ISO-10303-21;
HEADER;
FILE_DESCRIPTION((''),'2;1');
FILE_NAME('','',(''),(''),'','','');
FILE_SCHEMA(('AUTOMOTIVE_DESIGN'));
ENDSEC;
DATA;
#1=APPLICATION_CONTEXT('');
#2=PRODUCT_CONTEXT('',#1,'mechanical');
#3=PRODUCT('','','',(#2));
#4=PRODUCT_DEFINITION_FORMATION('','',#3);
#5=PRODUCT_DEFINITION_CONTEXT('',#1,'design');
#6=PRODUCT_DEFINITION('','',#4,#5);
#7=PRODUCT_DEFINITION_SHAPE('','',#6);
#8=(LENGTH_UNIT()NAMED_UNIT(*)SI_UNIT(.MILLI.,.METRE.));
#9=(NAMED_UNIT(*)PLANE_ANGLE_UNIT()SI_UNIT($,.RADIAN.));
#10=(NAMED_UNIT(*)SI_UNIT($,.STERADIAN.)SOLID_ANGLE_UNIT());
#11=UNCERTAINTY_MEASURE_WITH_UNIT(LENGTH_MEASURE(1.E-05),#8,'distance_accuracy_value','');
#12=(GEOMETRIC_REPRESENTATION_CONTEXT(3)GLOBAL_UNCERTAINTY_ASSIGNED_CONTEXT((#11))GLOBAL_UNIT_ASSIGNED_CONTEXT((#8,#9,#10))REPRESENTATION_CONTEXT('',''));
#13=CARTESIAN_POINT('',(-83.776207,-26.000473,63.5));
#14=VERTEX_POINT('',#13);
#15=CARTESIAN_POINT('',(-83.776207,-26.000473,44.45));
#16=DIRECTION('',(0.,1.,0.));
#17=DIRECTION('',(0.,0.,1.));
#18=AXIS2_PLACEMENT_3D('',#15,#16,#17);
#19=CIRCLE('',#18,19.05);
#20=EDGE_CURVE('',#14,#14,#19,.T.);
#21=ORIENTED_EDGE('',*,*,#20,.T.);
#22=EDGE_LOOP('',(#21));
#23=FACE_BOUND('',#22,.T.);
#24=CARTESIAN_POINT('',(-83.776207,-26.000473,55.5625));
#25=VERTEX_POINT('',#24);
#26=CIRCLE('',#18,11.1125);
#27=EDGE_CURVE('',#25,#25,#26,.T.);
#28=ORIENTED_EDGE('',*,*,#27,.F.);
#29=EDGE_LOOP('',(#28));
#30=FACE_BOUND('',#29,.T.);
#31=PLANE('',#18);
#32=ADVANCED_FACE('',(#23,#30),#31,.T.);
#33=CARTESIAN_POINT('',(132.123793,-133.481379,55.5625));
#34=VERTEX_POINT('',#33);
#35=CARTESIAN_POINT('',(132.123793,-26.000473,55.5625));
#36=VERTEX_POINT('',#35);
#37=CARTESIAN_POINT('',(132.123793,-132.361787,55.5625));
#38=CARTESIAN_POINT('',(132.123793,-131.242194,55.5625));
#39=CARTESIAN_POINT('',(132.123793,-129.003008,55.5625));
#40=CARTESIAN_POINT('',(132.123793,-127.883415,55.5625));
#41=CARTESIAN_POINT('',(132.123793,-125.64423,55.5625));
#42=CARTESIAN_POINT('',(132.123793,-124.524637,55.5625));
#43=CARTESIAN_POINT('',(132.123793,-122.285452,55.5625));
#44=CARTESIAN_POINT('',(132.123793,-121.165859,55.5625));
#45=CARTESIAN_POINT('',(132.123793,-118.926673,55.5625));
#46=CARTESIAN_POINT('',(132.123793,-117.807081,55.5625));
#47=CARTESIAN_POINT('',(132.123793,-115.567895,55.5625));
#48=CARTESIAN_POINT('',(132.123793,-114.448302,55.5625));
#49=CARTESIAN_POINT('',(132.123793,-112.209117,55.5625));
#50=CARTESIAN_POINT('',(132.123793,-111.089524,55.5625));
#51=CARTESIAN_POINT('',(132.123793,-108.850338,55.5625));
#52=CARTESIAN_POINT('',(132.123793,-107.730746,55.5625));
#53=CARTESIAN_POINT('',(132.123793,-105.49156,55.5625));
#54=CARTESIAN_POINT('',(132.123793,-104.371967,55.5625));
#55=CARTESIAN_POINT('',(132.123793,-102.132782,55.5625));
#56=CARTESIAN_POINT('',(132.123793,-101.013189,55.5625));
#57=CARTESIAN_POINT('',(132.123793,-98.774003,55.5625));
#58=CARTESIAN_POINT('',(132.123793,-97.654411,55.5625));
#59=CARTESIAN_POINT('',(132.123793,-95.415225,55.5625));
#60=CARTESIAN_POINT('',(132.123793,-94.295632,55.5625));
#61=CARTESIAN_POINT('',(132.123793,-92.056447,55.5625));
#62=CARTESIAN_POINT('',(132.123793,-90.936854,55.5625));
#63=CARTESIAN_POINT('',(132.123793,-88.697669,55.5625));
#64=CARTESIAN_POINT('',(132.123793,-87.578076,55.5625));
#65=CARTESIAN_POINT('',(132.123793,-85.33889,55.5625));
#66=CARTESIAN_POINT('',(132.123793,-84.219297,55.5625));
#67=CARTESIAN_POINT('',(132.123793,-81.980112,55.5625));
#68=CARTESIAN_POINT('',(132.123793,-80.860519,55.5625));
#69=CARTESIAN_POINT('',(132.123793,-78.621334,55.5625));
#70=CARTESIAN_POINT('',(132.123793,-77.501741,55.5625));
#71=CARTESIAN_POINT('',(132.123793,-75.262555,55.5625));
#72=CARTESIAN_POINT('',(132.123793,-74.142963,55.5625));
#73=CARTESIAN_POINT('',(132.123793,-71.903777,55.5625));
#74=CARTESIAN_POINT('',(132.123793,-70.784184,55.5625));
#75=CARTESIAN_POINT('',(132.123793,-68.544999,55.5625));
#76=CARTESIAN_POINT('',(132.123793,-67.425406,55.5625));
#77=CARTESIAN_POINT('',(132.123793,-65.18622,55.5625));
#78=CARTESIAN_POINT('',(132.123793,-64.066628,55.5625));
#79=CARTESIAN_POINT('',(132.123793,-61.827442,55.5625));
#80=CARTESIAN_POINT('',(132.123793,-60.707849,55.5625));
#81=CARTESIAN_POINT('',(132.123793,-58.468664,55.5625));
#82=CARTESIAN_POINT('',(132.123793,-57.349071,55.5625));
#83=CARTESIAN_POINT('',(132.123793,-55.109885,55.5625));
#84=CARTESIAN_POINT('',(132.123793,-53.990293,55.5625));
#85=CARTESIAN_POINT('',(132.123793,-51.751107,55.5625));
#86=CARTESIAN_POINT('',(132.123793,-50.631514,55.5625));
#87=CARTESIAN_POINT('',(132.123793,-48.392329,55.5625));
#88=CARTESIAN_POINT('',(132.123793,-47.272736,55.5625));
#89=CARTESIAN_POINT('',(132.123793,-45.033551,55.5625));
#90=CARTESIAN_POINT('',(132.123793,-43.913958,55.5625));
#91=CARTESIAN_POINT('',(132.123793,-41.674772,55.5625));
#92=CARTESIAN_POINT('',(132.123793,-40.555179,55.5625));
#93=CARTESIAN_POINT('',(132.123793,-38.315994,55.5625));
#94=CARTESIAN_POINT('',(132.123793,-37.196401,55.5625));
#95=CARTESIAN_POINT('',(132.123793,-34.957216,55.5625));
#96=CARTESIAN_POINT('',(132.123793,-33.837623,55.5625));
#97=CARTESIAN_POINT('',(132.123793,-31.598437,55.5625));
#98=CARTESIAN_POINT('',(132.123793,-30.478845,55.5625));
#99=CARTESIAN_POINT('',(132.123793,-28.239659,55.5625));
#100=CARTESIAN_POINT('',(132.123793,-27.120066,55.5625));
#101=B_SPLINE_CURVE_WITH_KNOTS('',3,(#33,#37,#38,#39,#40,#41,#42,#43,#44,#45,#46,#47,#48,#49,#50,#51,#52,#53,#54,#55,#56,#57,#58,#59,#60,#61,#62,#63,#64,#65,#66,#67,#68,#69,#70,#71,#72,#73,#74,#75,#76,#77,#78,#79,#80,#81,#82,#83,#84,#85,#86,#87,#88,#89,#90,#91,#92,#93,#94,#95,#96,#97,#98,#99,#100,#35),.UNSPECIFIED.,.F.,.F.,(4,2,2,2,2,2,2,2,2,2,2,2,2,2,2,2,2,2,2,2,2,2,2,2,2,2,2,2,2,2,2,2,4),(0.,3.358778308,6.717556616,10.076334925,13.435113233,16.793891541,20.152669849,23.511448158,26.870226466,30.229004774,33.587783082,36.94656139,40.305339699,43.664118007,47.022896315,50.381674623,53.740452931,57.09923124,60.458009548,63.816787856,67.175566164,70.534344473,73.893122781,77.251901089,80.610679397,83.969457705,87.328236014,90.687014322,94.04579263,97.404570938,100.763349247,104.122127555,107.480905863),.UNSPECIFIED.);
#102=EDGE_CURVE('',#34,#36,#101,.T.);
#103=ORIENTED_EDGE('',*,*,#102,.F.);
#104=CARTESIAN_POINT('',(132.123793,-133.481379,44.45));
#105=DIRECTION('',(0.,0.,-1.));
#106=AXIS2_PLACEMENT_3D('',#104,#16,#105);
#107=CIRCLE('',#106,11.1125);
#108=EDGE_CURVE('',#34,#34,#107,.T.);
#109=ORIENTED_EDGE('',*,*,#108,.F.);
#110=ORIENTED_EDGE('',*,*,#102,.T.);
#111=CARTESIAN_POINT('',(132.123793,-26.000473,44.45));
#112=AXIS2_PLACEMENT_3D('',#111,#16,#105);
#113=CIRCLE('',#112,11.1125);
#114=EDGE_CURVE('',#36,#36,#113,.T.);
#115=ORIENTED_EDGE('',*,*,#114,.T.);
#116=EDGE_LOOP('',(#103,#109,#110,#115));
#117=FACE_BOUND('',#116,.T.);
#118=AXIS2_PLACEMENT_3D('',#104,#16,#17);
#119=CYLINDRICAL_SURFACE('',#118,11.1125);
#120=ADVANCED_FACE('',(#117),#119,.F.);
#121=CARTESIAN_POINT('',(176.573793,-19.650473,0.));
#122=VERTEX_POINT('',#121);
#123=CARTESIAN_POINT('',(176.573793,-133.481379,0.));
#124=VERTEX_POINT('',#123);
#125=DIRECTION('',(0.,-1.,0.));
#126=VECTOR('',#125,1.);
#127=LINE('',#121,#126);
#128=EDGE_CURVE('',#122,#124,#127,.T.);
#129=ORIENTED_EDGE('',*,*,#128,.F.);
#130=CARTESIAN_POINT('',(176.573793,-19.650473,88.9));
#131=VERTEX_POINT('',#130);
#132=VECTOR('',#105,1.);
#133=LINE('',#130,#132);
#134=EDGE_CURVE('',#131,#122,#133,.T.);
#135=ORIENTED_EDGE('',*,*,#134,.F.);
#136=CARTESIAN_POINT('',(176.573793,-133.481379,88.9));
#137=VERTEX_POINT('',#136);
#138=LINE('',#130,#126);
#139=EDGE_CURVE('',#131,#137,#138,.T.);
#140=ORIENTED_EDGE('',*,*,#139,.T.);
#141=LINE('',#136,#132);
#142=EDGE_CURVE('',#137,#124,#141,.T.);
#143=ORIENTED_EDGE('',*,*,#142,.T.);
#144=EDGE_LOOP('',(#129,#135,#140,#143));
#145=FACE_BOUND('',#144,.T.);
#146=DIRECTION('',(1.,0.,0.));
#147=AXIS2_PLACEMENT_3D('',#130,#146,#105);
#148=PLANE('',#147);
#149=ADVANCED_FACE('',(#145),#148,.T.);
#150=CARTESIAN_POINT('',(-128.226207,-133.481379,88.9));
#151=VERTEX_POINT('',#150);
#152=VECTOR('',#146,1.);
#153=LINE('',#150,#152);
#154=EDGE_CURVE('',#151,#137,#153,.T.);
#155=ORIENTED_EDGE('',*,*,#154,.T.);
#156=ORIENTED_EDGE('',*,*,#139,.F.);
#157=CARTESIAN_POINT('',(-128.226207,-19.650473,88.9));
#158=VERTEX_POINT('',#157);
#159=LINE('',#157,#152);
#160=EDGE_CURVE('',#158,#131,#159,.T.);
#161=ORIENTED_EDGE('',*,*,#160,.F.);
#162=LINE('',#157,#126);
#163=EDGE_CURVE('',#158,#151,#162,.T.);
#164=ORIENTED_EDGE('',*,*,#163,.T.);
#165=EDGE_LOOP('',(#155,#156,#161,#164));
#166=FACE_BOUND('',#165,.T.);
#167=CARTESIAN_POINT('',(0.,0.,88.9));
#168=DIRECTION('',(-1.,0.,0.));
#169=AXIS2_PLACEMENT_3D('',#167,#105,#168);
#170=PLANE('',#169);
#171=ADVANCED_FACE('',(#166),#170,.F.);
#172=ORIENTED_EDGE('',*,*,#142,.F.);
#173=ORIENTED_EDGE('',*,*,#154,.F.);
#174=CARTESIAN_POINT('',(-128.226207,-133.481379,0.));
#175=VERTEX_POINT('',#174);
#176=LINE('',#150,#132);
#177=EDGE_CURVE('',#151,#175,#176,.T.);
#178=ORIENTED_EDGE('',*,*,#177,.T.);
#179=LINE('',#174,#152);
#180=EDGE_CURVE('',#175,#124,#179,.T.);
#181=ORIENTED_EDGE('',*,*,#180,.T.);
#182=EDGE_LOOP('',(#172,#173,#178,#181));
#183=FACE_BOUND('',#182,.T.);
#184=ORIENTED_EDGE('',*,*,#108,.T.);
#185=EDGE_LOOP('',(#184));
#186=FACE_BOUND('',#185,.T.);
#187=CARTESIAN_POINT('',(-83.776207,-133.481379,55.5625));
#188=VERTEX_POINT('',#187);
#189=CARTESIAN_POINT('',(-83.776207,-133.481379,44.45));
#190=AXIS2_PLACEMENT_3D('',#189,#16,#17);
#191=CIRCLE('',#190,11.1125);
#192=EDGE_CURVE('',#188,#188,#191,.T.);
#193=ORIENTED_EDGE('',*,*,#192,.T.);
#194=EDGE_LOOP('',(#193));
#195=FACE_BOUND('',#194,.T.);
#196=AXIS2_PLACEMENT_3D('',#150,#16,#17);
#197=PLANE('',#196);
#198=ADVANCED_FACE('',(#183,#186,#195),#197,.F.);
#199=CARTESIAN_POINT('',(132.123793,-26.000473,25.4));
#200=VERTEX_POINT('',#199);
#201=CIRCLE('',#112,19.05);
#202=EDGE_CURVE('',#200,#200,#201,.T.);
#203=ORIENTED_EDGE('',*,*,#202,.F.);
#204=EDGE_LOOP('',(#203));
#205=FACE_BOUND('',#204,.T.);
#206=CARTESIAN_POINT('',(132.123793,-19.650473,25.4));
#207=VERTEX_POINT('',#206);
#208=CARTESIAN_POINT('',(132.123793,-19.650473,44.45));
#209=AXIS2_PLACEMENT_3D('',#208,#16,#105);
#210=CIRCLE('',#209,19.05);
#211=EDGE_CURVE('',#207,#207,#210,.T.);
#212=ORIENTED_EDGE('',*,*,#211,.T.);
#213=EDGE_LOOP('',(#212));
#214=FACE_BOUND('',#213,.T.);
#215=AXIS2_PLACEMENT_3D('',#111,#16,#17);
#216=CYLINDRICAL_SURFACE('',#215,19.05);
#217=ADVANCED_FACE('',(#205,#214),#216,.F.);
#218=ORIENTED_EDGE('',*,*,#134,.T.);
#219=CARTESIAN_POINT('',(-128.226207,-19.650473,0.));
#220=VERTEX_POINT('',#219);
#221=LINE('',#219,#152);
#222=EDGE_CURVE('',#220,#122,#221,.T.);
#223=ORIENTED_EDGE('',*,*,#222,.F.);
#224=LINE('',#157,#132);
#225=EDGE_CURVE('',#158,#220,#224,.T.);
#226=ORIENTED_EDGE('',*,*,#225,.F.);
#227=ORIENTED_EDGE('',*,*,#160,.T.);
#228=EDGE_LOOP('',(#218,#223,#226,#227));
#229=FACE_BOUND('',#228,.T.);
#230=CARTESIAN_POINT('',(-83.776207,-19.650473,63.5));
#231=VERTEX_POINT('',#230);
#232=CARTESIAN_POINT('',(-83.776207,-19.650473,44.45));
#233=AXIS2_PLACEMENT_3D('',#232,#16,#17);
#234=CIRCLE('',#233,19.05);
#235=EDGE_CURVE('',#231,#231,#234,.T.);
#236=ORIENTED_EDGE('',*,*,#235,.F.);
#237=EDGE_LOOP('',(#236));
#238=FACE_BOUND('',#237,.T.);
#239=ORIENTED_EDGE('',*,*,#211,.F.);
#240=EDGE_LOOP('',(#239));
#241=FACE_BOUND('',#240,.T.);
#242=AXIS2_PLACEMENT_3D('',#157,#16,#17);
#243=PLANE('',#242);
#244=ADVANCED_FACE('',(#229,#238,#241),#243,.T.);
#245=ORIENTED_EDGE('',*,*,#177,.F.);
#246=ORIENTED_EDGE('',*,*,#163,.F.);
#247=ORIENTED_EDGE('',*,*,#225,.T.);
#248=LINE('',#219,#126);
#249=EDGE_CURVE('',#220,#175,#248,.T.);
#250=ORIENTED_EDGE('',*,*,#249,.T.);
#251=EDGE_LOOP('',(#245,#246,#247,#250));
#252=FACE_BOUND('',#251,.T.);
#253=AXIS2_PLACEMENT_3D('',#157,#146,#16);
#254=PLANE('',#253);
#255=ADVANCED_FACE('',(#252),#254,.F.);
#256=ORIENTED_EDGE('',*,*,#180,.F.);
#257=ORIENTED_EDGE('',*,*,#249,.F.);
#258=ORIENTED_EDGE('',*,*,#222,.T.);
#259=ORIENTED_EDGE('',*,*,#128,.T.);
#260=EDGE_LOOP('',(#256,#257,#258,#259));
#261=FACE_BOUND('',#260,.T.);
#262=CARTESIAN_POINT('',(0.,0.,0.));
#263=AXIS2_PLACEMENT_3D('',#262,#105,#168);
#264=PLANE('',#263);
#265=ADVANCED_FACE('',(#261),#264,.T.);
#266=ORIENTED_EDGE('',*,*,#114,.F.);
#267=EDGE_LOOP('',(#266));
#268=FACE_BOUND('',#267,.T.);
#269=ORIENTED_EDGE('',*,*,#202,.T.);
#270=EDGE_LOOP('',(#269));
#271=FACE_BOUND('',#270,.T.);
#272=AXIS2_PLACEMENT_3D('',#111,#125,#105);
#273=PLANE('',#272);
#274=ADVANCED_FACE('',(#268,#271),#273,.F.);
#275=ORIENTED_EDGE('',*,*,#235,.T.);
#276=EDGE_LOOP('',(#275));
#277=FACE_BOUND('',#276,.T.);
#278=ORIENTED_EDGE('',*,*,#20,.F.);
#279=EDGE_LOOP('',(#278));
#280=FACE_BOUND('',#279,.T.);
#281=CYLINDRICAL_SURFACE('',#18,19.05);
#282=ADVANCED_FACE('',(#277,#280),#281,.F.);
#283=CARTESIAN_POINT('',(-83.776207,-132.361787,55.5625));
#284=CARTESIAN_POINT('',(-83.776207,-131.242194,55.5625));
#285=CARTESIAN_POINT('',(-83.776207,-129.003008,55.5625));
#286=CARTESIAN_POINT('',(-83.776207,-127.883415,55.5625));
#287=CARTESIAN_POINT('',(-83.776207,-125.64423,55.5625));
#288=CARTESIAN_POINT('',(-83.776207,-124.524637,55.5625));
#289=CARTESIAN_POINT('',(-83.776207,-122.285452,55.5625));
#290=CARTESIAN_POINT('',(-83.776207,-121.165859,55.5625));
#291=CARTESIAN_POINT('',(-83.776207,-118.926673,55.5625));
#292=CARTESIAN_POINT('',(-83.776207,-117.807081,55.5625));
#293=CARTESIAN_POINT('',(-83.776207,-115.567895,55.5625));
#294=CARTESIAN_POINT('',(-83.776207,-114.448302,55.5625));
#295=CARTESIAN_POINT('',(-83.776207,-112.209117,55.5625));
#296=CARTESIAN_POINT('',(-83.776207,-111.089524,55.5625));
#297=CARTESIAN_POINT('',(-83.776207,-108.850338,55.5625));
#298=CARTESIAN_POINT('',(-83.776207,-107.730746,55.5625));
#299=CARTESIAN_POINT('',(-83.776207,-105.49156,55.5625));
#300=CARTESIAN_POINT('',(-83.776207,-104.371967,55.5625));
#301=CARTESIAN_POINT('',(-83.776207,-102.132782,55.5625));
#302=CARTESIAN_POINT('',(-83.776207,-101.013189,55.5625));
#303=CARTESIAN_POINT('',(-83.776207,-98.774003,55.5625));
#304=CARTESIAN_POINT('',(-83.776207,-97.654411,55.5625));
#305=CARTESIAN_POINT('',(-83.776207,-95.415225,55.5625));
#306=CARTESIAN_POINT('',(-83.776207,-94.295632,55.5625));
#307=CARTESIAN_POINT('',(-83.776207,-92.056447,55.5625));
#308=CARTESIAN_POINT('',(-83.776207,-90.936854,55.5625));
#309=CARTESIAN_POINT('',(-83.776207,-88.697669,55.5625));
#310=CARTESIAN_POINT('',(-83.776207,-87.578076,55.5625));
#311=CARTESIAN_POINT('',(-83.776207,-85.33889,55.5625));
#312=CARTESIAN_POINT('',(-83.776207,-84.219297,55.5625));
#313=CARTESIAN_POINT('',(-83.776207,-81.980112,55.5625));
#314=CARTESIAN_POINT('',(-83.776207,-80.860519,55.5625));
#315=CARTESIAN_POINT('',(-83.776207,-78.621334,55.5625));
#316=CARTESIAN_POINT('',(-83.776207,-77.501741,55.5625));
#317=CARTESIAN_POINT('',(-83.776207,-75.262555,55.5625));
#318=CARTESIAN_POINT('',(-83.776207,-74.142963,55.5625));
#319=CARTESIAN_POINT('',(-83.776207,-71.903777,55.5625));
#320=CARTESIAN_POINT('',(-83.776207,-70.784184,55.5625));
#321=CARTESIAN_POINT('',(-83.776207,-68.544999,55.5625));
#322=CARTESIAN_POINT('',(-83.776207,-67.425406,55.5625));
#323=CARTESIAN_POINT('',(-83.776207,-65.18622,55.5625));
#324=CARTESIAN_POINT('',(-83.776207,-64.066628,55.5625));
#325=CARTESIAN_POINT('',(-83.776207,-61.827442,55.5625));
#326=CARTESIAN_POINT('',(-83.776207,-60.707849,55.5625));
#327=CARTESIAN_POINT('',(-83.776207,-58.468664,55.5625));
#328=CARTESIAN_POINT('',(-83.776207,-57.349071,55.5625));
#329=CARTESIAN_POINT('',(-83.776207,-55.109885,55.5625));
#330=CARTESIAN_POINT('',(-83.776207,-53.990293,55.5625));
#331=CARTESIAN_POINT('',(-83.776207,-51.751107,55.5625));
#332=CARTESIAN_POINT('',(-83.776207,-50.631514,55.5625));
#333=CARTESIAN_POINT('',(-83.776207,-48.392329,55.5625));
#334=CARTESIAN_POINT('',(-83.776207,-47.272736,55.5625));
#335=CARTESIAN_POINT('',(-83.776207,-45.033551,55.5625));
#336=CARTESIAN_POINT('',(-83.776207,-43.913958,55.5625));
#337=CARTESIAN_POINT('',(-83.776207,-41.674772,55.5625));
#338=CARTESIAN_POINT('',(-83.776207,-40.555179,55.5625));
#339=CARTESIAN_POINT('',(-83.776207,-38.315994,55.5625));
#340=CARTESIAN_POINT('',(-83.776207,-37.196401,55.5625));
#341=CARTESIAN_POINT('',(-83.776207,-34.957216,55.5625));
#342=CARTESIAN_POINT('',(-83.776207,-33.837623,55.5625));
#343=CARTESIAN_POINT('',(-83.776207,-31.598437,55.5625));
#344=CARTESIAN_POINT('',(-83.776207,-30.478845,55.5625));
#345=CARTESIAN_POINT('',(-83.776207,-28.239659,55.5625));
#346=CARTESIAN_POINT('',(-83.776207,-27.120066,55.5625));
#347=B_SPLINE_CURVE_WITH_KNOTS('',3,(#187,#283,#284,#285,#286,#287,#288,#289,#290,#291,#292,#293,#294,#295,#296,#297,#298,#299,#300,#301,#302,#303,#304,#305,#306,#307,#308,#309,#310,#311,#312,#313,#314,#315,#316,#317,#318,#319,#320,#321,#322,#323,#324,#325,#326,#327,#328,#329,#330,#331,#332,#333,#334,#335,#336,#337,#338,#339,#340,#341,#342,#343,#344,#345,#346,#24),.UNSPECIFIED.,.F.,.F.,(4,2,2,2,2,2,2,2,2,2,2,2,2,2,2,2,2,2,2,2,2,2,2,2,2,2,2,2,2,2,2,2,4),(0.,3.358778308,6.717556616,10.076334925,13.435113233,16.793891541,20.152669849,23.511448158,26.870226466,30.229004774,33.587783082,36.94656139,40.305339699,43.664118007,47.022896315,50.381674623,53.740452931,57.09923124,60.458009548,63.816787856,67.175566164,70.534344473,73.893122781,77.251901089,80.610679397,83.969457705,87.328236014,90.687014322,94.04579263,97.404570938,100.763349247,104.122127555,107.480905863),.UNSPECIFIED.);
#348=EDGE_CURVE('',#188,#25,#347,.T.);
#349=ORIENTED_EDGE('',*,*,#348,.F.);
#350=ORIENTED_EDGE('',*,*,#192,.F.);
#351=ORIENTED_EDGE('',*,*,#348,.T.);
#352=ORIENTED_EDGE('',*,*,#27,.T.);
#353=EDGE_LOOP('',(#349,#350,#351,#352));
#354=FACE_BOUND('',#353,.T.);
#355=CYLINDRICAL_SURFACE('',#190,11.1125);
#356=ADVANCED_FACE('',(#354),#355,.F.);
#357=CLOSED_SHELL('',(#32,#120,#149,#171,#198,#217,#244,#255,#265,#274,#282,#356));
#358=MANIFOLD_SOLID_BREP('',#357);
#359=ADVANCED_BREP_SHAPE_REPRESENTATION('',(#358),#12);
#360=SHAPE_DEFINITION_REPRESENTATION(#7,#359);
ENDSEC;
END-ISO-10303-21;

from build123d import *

# Parameters (mm, degrees)
SKETCH1_W           = 304.8
SKETCH1_H           = 113.830905863
BOSS_EXTRUDE1_DEPTH = 88.9
SKETCH2_R           = 19.05
CUT_EXTRUDE1_DEPTH  = 6.35
SKETCH3_R           = 11.1125
CUT_EXTRUDE2_DEPTH  = 226.019242591


with BuildPart() as part:
    # Sketch1 → Boss-Extrude1 (new body)
    with BuildSketch(Plane.XY):
        with Locations((24.173793103, -76.565926378)):
            Rectangle(SKETCH1_W, SKETCH1_H)
    extrude(amount=BOSS_EXTRUDE1_DEPTH)

    # Sketch2 → Cut-Extrude1 (cut)
    with BuildSketch(Plane(origin=(0, -19.650473447, 0), x_dir=(1, 0, 0), z_dir=(0, 1, 0))):
        with Locations(Location((-83.776206897, -44.45, 0), (0, 0, 270))):
            Circle(SKETCH2_R)
        with Locations(Location((132.123793103, -44.45, 0), (0, 0, 90))):
            Circle(SKETCH2_R)
    extrude(amount=-CUT_EXTRUDE1_DEPTH, mode=Mode.SUBTRACT)

    # Sketch3 → Cut-Extrude2 (cut, through all)
    with BuildSketch(Plane(origin=(0, -26.000473447, 0), x_dir=(1, 0, 0), z_dir=(0, 1, 0))):
        with Locations(Location((-83.776206897, -44.45, 0), (0, 0, 270))):
            Circle(SKETCH3_R)
        with Locations(Location((132.123793103, -44.45, 0), (0, 0, 270))):
            Circle(SKETCH3_R)
    extrude(amount=-CUT_EXTRUDE2_DEPTH, mode=Mode.SUBTRACT)


solid = part.part
